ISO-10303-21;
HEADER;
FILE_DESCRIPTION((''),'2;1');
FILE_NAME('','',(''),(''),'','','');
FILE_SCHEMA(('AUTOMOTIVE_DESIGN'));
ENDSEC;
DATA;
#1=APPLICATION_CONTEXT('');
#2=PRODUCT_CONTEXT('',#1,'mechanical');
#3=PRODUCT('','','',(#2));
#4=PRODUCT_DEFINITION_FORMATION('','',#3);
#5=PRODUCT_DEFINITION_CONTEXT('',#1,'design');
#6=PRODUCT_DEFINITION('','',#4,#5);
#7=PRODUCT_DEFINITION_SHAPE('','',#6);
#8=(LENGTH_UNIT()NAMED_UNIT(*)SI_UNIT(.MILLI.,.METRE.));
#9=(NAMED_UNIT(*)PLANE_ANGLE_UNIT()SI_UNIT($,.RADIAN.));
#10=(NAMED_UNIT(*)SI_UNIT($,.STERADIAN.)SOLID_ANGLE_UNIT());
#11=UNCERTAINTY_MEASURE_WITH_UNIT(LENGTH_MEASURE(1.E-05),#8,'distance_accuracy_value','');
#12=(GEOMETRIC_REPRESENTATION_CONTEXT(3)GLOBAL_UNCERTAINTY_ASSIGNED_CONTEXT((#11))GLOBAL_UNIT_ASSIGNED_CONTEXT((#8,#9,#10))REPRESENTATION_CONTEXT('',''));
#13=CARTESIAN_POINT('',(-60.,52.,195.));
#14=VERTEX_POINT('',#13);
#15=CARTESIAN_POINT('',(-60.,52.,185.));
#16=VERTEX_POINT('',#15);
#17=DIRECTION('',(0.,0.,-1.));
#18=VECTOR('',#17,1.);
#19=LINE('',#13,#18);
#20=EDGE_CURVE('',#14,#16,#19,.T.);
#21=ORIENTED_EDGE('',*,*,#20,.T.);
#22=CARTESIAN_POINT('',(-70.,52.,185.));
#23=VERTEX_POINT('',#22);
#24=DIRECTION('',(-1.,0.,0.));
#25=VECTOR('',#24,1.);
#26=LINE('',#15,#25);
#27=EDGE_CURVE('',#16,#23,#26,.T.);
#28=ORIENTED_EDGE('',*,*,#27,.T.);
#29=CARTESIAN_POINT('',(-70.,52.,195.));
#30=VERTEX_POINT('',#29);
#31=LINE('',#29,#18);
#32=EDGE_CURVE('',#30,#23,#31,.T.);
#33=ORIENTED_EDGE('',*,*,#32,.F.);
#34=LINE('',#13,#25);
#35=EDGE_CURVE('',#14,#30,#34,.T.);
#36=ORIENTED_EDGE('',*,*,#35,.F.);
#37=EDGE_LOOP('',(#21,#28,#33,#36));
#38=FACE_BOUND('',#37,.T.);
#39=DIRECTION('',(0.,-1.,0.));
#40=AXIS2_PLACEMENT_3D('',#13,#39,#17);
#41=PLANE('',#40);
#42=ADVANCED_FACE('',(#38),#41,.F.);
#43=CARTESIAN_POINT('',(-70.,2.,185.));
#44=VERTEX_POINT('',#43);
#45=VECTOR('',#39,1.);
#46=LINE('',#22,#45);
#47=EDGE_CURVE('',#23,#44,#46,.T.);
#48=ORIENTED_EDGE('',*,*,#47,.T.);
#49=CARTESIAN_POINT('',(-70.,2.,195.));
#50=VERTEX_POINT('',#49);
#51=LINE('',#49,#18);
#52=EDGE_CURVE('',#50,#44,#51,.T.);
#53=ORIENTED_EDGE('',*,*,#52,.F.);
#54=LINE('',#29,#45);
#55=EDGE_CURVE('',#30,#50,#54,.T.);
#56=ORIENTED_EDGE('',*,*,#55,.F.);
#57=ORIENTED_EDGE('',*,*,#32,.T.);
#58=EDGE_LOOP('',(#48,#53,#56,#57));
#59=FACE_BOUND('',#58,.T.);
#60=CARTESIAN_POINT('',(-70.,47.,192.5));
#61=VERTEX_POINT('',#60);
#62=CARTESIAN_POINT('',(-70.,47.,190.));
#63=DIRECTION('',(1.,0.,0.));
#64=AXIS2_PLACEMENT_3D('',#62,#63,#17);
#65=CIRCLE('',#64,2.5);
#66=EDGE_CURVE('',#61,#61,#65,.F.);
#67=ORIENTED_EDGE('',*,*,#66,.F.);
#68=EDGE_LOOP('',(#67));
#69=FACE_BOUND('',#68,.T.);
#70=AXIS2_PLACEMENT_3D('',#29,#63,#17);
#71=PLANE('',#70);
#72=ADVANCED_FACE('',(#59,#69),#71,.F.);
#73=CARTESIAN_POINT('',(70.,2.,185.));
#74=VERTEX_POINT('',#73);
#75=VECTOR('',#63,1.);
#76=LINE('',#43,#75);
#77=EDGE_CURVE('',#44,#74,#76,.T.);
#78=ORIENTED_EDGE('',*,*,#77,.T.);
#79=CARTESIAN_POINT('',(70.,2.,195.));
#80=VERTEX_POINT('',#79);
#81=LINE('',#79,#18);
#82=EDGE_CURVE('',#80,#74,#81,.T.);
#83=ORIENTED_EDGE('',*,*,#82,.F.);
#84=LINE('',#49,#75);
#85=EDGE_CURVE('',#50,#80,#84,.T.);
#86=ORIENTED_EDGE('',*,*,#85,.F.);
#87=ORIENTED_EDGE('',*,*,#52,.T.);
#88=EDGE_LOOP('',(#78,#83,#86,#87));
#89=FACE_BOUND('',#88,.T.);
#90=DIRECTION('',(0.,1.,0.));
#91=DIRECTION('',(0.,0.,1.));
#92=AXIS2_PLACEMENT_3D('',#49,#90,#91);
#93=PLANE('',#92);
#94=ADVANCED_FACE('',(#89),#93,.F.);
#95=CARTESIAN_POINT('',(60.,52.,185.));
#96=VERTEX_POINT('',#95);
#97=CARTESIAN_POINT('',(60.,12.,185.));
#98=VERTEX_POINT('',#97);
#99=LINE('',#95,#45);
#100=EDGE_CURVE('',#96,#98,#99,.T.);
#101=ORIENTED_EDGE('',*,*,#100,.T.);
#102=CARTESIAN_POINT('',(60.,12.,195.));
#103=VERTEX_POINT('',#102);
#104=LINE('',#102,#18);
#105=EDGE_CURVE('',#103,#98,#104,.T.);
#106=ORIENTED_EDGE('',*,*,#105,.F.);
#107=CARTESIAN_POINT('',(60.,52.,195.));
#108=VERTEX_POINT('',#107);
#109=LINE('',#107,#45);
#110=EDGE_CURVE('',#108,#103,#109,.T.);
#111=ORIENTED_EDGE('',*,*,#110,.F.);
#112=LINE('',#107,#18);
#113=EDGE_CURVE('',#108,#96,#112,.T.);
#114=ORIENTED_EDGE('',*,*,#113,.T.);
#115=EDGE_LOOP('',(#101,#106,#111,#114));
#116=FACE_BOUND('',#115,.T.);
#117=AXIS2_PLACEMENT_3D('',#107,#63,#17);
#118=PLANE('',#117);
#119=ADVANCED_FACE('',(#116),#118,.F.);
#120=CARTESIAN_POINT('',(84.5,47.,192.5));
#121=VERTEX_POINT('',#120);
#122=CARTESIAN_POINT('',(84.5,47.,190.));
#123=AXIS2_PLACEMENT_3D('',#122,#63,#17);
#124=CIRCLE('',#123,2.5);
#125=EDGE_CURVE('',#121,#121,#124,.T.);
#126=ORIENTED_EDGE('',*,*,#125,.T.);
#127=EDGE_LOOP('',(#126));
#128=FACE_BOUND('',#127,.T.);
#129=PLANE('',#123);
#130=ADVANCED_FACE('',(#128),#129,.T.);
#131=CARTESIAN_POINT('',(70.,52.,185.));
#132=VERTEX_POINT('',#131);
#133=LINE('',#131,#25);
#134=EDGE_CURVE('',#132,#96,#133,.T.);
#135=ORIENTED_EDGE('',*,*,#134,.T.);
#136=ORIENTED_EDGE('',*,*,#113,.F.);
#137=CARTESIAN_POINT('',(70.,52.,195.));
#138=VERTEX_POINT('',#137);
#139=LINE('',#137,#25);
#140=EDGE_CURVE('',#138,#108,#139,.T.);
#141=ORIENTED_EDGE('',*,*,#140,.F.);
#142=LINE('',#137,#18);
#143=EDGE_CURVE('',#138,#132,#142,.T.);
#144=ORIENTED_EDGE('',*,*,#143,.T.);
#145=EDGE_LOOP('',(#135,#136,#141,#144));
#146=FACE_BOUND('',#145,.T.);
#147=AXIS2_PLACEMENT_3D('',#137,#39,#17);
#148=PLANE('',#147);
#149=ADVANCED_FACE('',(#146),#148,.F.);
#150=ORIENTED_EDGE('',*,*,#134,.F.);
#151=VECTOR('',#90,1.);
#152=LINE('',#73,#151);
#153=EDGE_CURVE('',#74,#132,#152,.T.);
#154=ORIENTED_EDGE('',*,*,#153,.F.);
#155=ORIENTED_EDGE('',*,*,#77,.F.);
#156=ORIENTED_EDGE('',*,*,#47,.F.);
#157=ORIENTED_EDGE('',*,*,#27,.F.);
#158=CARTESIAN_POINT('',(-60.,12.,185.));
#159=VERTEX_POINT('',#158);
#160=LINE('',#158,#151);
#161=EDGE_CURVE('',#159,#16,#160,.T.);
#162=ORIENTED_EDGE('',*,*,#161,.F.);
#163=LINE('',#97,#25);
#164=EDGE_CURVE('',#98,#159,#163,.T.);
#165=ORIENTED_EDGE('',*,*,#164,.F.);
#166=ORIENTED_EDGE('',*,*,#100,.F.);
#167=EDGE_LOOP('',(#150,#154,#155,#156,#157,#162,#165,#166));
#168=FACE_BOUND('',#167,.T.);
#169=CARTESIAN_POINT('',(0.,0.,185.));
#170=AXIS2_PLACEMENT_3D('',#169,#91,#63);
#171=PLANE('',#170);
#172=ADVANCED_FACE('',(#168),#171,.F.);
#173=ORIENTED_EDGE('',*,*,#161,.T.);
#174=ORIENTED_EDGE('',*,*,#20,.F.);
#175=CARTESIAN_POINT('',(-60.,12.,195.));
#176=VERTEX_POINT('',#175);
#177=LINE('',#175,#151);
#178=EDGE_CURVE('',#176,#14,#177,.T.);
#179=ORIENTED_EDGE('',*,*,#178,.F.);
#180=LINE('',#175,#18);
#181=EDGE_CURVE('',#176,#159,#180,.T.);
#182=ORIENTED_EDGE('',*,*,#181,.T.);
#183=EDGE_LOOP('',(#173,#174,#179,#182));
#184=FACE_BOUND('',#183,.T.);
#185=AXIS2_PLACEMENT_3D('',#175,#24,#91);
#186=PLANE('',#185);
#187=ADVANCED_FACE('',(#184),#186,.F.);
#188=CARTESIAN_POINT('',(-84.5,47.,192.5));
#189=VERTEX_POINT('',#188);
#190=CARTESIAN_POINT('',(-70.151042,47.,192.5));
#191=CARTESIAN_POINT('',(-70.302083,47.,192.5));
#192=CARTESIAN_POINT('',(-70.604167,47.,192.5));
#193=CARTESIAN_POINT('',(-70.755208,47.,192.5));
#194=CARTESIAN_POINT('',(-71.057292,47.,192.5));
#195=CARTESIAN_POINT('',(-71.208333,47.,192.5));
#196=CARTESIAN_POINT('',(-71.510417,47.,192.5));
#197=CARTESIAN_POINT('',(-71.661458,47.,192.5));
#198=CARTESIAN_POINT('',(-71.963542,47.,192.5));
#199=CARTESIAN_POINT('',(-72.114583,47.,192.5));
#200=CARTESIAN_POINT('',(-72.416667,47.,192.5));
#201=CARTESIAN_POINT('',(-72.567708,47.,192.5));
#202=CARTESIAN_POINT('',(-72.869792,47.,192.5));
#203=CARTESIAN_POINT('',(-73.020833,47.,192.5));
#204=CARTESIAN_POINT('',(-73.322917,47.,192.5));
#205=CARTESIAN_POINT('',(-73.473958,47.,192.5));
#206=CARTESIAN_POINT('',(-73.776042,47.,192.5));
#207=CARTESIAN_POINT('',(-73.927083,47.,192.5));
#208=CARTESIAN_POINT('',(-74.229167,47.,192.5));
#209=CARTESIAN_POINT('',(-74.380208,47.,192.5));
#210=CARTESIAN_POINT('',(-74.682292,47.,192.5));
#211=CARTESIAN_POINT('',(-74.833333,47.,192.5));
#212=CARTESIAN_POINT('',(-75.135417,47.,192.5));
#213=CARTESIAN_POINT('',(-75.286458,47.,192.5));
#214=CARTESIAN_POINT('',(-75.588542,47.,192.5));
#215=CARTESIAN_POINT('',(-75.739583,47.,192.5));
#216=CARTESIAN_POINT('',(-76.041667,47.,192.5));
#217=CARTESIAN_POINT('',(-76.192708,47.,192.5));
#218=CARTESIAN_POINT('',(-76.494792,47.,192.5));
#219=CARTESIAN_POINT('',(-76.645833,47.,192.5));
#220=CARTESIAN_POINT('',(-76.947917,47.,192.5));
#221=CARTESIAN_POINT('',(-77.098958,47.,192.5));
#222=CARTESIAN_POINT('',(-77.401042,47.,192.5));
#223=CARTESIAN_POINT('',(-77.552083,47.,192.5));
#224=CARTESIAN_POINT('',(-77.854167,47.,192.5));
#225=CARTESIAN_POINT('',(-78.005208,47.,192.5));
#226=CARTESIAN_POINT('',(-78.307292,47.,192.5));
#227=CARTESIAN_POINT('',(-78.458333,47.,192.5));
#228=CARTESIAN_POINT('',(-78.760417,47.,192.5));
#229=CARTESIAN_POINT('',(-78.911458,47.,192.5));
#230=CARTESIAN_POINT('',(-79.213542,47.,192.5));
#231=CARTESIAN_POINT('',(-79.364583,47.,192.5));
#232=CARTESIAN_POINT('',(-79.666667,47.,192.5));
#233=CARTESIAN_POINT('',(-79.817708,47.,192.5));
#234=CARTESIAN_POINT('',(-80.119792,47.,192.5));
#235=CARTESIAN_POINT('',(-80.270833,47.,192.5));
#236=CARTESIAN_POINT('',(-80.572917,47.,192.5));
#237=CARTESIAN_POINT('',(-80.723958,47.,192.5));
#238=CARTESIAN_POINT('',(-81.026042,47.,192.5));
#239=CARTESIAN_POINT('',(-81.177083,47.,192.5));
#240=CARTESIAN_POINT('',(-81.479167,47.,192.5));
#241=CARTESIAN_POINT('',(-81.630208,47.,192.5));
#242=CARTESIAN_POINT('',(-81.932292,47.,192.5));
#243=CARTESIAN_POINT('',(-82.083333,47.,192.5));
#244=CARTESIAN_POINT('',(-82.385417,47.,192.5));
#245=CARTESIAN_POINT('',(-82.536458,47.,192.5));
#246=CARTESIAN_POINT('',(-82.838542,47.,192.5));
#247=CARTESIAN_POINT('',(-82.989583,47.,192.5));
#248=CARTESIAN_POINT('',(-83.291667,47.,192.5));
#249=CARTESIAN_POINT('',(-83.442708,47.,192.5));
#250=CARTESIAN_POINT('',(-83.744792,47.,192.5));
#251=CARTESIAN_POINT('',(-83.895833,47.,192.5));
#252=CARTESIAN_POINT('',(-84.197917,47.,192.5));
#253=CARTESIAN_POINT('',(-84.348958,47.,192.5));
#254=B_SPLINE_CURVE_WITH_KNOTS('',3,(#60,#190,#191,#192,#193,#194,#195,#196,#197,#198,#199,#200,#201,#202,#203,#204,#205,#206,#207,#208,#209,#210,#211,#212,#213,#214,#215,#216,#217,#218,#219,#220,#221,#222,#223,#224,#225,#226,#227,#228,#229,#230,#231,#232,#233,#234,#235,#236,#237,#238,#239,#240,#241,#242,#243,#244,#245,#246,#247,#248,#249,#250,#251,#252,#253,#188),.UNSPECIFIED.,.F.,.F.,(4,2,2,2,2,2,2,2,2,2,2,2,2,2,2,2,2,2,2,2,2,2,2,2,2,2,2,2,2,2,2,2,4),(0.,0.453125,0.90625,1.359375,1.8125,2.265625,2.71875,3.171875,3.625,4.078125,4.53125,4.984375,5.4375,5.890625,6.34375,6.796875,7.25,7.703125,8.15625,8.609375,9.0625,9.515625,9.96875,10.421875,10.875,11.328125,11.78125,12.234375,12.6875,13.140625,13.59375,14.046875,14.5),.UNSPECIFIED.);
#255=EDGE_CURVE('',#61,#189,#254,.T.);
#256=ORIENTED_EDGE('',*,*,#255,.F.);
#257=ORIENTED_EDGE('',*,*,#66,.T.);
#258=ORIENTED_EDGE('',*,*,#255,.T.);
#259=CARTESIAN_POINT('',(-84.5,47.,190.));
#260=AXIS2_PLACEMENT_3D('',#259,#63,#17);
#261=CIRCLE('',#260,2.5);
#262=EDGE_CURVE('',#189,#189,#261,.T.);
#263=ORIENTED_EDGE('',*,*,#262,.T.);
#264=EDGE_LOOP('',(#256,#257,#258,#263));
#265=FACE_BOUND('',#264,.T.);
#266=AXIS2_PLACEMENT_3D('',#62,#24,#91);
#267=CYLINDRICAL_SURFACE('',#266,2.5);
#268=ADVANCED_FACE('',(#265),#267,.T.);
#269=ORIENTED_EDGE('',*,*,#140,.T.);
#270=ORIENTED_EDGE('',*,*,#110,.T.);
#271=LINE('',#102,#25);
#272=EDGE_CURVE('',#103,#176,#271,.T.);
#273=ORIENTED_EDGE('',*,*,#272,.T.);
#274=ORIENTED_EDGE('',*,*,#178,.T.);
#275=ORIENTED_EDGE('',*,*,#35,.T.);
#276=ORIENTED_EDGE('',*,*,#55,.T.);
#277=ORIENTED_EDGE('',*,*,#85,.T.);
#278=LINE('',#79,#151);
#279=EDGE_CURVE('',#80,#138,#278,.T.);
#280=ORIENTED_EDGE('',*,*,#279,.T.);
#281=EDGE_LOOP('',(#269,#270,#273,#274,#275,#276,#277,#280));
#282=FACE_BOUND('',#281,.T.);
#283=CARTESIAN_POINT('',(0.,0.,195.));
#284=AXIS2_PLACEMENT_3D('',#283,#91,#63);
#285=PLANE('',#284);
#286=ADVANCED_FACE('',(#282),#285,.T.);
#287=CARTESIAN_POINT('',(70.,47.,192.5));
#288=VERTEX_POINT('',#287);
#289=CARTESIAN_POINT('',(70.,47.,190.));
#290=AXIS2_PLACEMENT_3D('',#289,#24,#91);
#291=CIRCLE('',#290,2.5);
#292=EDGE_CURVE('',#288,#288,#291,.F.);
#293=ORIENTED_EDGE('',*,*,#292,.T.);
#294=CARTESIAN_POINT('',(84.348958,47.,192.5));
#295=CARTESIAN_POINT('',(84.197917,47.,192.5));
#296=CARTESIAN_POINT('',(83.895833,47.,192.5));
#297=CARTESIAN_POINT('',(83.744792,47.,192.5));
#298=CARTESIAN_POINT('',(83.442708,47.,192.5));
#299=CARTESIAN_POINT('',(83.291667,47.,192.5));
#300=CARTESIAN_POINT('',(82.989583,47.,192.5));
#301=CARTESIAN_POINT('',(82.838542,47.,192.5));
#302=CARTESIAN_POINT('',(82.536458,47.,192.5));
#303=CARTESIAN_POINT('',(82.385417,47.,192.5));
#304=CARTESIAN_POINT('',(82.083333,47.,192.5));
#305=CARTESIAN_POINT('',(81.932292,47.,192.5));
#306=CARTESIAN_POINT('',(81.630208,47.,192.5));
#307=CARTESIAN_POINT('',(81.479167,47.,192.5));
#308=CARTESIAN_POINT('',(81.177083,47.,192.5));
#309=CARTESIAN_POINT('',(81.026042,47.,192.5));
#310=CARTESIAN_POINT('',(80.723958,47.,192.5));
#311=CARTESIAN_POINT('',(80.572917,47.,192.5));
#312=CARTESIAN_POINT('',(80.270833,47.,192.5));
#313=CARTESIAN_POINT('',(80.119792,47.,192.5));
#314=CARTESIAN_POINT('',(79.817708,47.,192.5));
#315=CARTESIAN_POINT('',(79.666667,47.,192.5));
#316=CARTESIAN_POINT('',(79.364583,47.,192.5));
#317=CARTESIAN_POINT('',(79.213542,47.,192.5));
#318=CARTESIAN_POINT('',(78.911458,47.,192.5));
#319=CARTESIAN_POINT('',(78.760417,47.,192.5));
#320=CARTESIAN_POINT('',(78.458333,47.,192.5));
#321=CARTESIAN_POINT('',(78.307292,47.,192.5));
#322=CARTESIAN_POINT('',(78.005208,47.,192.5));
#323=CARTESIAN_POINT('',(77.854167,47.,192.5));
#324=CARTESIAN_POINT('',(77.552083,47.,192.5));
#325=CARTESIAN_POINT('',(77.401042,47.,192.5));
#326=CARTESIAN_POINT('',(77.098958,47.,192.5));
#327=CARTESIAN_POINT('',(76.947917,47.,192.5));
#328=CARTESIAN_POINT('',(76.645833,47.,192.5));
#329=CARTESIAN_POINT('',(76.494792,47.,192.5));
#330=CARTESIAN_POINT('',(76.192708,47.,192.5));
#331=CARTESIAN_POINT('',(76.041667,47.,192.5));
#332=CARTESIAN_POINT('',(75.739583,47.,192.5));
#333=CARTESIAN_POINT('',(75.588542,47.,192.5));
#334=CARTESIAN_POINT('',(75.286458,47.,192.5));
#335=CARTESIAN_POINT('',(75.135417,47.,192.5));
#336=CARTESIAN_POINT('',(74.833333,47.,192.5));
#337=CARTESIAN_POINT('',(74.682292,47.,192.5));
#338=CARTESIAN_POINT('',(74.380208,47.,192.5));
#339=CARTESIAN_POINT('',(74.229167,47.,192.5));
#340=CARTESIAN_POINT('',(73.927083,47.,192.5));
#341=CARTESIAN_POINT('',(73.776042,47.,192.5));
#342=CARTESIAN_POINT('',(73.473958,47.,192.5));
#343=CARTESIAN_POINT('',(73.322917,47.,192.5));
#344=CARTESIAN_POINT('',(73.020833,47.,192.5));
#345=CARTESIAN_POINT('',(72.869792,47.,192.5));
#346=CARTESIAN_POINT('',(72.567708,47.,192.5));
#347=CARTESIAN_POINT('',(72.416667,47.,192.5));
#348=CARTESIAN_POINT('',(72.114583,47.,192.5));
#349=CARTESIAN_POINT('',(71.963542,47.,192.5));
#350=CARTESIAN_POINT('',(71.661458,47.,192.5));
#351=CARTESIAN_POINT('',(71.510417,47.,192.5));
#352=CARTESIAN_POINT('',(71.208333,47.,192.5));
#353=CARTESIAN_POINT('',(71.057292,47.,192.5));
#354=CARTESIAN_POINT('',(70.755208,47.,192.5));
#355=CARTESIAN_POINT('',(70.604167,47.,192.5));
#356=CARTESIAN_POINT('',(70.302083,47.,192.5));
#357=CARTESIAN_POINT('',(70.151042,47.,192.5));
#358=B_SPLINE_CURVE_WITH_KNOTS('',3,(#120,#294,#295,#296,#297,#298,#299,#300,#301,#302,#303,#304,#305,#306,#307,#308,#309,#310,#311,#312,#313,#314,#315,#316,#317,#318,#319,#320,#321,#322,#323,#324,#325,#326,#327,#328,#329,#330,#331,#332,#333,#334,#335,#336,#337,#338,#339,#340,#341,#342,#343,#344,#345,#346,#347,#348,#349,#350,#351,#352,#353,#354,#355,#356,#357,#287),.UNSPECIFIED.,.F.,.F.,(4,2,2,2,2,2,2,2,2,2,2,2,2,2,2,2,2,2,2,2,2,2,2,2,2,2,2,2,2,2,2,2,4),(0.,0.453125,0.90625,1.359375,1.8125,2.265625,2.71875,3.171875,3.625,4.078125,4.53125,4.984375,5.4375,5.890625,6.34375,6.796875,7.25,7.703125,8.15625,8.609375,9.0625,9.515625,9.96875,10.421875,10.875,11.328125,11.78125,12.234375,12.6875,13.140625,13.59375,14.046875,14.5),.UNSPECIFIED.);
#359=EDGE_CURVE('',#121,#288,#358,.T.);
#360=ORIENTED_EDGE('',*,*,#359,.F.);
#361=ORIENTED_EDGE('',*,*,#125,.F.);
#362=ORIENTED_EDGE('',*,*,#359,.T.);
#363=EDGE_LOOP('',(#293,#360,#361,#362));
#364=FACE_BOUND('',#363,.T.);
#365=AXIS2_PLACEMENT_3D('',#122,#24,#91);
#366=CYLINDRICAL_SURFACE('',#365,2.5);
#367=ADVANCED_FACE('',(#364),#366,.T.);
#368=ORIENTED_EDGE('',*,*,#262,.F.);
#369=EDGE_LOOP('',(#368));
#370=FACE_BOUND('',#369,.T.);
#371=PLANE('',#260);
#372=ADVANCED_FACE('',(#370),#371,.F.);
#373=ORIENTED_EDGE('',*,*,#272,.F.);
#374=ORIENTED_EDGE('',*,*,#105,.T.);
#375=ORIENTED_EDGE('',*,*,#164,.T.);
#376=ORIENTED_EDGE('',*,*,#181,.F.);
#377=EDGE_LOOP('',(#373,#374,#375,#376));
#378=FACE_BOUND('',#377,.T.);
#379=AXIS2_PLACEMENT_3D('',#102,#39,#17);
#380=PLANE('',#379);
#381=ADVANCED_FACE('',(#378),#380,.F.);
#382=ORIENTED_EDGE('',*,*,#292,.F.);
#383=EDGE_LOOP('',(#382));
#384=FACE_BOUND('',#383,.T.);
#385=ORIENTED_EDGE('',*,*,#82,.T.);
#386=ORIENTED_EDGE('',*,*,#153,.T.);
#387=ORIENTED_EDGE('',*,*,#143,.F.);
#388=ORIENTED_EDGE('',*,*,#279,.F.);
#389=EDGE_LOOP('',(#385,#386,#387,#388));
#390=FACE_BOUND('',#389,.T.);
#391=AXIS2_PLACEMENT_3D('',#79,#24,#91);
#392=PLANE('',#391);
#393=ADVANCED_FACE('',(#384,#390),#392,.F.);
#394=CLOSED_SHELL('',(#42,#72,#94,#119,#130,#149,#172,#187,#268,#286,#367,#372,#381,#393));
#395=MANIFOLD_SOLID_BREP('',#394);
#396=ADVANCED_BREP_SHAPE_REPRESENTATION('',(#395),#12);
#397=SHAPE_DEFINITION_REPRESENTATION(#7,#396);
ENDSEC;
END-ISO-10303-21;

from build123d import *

# Parameters (mm, degrees)
BOSS_EXTRUDE1_DEPTH = 5
SKETCH2_R           = 2.5
BOSS_EXTRUDE2_DEPTH = 7.25
SKETCH3_R           = 2.5
BOSS_EXTRUDE3_DEPTH = 7.25


with BuildPart() as part:
    # Sketch1 → Boss-Extrude1 (new, symmetric)
    with BuildSketch(Plane.XY.offset(190)):
        Polygon((-70, 2), (70, 2), (70, 52), (60, 52), (60, 12), (-60, 12), (-60, 52), (-70, 52), align=None)
    extrude(amount=BOSS_EXTRUDE1_DEPTH, both=True)

    # Sketch2 → Boss-Extrude2 (add, symmetric)
    with BuildSketch(Plane(origin=(-77.25, 0, 0), x_dir=(0, 0, -1), z_dir=(1, 0, 0))):
        with Locations(Location((-190, 47, 0), (0, 0, 180))):
            Circle(SKETCH2_R)
    extrude(amount=BOSS_EXTRUDE2_DEPTH, both=True)

    # Sketch3 → Boss-Extrude3 (add, symmetric)
    with BuildSketch(Plane(origin=(77.25, 0, 0), x_dir=(0, 0, -1), z_dir=(1, 0, 0))):
        with Locations(Location((-190, 47, 0), (0, 0, 180))):
            Circle(SKETCH3_R)
    extrude(amount=BOSS_EXTRUDE3_DEPTH, both=True)


solid = part.part
